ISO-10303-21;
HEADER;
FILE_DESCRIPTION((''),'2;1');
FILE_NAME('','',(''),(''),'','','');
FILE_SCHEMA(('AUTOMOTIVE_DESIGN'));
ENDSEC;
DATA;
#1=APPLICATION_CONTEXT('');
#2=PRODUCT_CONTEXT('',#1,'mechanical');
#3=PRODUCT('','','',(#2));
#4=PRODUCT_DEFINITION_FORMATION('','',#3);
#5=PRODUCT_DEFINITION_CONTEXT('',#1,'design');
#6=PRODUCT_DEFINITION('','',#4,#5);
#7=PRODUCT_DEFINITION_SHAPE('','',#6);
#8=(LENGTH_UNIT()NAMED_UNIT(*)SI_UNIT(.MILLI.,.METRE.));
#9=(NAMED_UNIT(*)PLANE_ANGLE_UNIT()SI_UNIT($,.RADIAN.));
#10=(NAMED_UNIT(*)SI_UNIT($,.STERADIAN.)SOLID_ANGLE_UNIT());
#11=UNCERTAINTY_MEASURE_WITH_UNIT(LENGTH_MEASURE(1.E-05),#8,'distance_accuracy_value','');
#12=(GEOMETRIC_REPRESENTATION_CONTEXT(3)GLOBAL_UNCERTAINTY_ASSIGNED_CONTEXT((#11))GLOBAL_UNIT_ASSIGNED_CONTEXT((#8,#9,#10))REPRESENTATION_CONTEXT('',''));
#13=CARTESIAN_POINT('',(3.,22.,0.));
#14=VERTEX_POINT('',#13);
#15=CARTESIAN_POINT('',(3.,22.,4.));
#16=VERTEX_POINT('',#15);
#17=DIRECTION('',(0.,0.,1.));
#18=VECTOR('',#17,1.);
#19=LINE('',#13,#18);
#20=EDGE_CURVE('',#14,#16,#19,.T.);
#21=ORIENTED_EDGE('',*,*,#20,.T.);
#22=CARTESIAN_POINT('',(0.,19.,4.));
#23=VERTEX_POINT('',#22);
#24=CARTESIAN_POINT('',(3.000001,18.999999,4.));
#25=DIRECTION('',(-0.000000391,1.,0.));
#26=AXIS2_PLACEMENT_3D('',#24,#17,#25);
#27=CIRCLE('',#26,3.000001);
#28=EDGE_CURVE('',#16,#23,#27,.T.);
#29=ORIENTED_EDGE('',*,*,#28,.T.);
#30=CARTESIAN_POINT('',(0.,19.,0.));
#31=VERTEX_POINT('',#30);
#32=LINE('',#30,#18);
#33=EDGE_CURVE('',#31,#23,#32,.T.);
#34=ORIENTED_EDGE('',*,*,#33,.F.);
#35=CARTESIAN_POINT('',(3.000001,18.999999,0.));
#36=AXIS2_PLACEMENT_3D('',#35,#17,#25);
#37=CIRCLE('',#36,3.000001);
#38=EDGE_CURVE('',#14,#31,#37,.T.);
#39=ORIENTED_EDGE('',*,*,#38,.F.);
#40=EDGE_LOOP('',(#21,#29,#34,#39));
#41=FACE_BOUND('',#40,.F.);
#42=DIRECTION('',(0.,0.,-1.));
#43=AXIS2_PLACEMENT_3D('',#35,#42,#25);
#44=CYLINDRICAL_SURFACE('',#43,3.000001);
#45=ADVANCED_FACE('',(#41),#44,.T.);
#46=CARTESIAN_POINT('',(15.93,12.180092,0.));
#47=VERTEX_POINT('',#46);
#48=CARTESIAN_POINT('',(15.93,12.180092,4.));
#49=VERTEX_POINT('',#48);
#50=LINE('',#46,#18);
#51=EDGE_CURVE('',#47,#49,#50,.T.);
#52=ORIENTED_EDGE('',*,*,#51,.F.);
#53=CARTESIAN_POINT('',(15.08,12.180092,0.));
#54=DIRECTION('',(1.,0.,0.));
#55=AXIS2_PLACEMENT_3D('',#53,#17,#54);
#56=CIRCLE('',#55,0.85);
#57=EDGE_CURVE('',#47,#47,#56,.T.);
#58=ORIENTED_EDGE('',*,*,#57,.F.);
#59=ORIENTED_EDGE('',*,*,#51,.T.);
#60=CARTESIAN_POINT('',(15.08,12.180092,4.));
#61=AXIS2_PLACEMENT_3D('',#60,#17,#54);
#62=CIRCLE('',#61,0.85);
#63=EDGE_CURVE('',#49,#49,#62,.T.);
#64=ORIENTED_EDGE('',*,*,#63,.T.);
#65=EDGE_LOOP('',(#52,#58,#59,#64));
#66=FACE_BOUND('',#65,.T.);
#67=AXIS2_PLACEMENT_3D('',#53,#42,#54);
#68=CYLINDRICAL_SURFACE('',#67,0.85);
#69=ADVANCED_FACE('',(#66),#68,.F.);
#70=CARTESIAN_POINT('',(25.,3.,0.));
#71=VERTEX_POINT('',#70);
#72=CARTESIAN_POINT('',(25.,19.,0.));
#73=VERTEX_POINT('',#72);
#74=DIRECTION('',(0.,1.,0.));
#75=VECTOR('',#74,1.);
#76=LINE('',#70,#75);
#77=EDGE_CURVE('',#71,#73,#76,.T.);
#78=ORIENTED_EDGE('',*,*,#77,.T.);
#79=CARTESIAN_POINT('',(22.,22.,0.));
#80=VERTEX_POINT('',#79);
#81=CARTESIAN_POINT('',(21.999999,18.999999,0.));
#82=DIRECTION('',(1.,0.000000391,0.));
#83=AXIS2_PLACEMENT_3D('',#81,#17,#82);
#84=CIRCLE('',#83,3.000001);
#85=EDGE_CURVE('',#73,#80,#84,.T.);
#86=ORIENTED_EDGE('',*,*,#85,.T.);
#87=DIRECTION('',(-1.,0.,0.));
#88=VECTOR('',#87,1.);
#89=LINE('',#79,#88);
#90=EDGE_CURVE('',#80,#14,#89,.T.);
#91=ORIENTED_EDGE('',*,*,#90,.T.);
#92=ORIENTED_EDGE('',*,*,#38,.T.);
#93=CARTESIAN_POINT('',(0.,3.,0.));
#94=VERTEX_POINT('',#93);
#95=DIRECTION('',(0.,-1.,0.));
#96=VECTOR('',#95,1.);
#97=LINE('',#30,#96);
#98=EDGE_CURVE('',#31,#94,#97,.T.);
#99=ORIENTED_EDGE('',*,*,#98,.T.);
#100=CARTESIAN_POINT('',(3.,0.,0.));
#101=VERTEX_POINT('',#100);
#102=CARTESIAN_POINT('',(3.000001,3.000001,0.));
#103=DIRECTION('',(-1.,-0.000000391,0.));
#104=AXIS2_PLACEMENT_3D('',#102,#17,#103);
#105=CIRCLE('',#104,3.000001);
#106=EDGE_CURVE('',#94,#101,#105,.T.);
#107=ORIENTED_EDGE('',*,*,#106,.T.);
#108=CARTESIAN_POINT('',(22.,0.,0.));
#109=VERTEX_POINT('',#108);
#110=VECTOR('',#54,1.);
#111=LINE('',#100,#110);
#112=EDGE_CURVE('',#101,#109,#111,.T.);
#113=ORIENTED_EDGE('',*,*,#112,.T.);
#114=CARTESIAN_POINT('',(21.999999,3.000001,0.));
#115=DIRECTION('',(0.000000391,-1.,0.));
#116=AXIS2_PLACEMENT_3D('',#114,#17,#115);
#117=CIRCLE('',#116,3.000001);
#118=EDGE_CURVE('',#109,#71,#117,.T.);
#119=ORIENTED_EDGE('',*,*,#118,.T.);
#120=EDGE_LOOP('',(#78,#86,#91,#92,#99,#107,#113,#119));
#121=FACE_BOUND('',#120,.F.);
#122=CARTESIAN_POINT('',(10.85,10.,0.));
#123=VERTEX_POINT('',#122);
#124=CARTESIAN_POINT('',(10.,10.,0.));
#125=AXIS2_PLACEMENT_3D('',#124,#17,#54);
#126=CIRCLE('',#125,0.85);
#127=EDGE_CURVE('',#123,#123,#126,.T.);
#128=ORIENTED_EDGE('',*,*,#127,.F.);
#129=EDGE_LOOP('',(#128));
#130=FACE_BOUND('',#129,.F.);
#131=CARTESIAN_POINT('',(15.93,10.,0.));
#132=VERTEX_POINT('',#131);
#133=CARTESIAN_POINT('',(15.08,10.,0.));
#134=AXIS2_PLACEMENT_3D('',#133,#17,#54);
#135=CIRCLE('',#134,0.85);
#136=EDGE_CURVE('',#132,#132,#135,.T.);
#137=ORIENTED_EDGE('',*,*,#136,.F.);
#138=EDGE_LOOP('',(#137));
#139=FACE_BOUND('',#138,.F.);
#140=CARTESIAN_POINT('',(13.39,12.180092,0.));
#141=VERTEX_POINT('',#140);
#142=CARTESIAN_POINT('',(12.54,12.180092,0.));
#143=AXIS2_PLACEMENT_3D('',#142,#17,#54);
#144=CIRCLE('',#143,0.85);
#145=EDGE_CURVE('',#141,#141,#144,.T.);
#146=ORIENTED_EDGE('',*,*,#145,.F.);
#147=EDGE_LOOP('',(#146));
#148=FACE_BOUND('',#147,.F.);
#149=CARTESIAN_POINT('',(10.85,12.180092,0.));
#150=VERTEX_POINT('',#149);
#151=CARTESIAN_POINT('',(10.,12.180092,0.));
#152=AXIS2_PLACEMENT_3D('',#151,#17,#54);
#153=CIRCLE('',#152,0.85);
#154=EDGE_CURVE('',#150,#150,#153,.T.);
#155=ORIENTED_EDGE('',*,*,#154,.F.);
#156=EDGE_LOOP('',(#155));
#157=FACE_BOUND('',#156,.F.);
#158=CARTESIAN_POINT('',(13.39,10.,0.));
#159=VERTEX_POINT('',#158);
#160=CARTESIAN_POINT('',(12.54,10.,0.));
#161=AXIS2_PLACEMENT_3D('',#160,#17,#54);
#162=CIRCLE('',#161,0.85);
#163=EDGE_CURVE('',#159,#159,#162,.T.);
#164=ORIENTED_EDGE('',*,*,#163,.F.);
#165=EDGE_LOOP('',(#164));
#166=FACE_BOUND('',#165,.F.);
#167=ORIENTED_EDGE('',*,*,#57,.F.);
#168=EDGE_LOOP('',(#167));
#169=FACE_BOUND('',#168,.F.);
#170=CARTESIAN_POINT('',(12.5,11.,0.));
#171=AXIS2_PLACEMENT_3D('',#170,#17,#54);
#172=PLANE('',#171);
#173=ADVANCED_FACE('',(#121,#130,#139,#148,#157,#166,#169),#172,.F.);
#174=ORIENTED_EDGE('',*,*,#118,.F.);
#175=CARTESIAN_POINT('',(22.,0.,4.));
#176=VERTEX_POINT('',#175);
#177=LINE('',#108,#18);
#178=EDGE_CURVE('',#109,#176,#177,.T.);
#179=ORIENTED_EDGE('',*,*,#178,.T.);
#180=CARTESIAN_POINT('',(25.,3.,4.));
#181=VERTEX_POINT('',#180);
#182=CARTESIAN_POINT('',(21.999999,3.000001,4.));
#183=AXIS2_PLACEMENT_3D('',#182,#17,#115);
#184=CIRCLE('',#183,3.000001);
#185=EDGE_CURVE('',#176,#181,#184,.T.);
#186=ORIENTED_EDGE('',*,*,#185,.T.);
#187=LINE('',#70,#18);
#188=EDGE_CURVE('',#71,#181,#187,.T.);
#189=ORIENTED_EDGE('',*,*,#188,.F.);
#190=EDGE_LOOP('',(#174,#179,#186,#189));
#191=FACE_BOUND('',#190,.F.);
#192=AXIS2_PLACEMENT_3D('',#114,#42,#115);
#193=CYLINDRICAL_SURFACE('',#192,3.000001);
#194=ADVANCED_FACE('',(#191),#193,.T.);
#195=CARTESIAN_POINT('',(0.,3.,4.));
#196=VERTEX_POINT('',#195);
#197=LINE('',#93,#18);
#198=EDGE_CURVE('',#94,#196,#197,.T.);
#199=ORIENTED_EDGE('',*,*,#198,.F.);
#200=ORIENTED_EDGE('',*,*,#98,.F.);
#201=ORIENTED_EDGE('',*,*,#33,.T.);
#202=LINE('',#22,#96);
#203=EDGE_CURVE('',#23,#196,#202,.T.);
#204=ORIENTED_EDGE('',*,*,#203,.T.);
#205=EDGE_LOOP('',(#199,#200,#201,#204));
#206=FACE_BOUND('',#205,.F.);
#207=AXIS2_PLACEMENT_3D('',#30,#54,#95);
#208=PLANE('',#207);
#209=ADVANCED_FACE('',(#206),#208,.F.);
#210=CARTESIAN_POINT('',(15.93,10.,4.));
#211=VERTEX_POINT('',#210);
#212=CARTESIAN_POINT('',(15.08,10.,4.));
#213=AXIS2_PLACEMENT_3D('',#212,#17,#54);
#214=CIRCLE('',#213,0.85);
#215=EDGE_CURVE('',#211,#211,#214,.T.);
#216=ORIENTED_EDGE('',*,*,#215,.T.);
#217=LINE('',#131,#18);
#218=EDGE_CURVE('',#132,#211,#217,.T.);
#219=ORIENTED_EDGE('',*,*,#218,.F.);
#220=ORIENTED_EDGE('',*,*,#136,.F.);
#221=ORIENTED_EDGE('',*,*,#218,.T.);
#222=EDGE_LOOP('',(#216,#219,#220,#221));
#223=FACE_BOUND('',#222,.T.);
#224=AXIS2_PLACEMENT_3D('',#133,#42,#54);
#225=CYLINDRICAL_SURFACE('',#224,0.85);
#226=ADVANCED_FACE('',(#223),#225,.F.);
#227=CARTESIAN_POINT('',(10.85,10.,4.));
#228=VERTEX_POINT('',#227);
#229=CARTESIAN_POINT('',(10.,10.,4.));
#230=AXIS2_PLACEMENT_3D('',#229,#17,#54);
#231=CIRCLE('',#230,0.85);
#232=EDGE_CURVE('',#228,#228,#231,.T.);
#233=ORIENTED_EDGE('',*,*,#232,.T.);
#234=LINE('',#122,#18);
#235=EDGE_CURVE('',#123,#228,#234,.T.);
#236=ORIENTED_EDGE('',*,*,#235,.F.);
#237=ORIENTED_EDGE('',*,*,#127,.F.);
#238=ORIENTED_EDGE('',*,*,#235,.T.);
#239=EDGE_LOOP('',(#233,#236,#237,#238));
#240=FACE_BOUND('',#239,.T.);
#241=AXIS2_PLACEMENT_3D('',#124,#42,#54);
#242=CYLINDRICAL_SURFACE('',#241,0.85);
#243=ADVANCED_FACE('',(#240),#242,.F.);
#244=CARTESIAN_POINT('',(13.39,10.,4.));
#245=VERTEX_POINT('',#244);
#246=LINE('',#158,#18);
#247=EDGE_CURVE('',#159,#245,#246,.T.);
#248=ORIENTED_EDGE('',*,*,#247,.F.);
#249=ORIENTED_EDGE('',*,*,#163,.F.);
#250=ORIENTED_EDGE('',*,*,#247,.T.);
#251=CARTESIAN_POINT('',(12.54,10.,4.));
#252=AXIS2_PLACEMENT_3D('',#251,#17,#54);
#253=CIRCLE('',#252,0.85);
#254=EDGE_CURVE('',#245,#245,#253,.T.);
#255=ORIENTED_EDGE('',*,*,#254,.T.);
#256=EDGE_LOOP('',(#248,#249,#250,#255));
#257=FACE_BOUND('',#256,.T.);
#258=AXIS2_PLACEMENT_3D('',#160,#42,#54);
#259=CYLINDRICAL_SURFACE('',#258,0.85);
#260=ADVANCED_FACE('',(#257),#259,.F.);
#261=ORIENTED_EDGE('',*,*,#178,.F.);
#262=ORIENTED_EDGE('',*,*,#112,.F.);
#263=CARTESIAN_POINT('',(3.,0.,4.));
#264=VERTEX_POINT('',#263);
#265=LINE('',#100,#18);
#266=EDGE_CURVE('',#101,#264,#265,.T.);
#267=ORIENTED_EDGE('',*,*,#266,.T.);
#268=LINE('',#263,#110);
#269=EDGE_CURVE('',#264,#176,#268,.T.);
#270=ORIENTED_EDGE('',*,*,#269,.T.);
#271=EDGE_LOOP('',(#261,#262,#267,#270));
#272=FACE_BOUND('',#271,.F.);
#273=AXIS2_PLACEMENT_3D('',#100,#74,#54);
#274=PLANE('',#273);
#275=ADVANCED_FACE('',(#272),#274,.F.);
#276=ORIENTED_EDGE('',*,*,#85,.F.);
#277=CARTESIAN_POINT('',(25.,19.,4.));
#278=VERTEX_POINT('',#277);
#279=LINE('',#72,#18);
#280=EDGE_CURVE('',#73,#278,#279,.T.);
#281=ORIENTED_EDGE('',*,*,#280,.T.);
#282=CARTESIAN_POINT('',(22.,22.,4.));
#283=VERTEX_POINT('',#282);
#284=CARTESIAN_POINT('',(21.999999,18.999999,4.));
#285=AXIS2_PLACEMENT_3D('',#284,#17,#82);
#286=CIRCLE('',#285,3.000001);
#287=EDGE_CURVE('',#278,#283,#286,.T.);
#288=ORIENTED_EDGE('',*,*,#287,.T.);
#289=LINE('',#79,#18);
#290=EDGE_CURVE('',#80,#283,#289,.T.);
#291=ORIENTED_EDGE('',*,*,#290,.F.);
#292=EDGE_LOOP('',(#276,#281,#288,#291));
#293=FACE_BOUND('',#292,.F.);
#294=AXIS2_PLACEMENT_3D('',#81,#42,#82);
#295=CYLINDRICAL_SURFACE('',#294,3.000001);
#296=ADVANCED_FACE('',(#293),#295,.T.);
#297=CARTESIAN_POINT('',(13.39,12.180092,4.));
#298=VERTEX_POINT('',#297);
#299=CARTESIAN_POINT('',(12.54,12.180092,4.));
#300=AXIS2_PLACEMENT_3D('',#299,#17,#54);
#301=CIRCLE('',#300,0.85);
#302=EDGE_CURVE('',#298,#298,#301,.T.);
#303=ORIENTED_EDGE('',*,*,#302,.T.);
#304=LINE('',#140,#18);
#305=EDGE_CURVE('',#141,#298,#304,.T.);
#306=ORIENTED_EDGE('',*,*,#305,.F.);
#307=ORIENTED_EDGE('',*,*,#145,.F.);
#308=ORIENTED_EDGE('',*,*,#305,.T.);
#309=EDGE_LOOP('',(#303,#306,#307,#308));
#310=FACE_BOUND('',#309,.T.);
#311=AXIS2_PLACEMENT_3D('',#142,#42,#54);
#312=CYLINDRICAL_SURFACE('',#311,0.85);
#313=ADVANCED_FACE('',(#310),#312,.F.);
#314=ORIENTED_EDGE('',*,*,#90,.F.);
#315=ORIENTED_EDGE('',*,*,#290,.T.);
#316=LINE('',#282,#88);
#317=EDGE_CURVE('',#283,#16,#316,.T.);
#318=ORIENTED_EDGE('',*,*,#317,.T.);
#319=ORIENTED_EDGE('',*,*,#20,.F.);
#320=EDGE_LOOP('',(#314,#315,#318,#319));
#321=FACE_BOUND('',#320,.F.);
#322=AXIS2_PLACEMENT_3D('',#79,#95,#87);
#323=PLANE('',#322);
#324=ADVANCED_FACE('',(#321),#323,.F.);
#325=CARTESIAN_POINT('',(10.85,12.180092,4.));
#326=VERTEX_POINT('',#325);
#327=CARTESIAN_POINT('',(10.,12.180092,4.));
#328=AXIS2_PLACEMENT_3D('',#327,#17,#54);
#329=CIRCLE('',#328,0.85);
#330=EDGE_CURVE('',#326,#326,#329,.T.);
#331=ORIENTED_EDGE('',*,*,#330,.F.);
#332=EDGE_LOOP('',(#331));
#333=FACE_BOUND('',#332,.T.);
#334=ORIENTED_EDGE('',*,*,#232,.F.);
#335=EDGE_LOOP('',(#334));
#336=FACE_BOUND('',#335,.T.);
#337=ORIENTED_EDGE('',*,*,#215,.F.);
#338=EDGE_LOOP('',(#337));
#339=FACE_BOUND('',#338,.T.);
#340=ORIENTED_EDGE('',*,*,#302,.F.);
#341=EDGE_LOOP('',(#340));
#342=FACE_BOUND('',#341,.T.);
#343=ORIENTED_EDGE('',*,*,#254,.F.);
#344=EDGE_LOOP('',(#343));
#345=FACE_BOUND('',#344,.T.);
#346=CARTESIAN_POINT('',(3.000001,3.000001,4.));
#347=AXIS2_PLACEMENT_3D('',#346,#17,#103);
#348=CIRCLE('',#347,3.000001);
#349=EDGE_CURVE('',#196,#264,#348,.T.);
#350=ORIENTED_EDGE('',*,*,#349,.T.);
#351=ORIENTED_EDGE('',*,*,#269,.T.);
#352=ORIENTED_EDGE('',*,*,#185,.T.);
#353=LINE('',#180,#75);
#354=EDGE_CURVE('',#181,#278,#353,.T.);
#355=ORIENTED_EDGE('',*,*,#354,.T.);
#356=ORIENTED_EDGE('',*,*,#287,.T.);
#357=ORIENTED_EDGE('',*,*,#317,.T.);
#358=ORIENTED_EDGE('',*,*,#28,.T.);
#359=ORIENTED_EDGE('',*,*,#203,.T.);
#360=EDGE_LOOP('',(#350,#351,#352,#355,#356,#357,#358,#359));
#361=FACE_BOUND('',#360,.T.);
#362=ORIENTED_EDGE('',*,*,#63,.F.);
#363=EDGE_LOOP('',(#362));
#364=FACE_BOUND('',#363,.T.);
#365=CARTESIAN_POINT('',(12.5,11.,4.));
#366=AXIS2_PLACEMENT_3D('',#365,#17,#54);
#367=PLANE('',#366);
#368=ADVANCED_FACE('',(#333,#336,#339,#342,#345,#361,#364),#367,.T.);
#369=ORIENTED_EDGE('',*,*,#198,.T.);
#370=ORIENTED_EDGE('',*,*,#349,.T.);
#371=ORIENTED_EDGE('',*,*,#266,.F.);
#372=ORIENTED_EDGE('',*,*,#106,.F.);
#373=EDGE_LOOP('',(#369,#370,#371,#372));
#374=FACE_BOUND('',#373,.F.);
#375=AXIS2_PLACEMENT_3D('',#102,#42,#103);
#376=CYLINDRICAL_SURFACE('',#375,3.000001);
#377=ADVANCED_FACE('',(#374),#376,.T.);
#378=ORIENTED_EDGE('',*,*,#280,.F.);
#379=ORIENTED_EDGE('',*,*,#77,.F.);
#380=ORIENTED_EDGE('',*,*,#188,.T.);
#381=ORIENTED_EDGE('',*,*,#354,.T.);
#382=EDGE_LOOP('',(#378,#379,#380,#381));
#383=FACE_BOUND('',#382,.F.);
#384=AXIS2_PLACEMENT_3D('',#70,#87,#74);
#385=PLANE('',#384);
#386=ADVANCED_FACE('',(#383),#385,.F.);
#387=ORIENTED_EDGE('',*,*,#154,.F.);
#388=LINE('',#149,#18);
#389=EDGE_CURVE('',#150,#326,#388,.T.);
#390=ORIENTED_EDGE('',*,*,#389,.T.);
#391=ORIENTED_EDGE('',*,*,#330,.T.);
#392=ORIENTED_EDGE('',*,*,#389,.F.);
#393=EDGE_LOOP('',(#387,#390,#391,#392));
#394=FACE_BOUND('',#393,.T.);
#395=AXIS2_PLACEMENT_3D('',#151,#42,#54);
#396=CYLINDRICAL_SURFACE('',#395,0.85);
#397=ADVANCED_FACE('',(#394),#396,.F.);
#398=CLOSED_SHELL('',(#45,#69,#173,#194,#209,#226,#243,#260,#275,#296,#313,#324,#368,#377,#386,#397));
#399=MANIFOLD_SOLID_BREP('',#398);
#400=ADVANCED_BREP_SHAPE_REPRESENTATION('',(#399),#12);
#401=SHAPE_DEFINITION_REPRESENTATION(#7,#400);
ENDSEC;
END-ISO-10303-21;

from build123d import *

# Parameters (mm, degrees)
F0_R     = 0.85
F1_DEPTH = 4


with BuildPart() as f1:
    # F0 (on Top) → F1 (new body)
    with BuildSketch(Plane.XY):
        with BuildLine():
            ThreePointArc((0, 3), (0.87868, 0.87868), (3, 0))
            Line((3, 0), (22, 0))
            ThreePointArc((22, 0), (24.12132, 0.87868), (25, 3))
            Line((25, 3), (25, 19))
            ThreePointArc((25, 19), (24.12132, 21.12132), (22, 22))
            Line((22, 22), (3, 22))
            ThreePointArc((3, 22), (0.87868, 21.12132), (0, 19))
            Line((0, 19), (0, 3))
        make_face()
        with Locations((10, 10)):
            Circle(F0_R, mode=Mode.SUBTRACT)
        with Locations((12.54, 10)):
            Circle(F0_R, mode=Mode.SUBTRACT)
        with Locations((15.08, 10)):
            Circle(F0_R, mode=Mode.SUBTRACT)
        with Locations((10, 12.180092)):
            Circle(F0_R, mode=Mode.SUBTRACT)
        with Locations((12.54, 12.180092)):
            Circle(F0_R, mode=Mode.SUBTRACT)
        with Locations((15.08, 12.180092)):
            Circle(F0_R, mode=Mode.SUBTRACT)
    extrude(amount=F1_DEPTH)


solid = f1.part
